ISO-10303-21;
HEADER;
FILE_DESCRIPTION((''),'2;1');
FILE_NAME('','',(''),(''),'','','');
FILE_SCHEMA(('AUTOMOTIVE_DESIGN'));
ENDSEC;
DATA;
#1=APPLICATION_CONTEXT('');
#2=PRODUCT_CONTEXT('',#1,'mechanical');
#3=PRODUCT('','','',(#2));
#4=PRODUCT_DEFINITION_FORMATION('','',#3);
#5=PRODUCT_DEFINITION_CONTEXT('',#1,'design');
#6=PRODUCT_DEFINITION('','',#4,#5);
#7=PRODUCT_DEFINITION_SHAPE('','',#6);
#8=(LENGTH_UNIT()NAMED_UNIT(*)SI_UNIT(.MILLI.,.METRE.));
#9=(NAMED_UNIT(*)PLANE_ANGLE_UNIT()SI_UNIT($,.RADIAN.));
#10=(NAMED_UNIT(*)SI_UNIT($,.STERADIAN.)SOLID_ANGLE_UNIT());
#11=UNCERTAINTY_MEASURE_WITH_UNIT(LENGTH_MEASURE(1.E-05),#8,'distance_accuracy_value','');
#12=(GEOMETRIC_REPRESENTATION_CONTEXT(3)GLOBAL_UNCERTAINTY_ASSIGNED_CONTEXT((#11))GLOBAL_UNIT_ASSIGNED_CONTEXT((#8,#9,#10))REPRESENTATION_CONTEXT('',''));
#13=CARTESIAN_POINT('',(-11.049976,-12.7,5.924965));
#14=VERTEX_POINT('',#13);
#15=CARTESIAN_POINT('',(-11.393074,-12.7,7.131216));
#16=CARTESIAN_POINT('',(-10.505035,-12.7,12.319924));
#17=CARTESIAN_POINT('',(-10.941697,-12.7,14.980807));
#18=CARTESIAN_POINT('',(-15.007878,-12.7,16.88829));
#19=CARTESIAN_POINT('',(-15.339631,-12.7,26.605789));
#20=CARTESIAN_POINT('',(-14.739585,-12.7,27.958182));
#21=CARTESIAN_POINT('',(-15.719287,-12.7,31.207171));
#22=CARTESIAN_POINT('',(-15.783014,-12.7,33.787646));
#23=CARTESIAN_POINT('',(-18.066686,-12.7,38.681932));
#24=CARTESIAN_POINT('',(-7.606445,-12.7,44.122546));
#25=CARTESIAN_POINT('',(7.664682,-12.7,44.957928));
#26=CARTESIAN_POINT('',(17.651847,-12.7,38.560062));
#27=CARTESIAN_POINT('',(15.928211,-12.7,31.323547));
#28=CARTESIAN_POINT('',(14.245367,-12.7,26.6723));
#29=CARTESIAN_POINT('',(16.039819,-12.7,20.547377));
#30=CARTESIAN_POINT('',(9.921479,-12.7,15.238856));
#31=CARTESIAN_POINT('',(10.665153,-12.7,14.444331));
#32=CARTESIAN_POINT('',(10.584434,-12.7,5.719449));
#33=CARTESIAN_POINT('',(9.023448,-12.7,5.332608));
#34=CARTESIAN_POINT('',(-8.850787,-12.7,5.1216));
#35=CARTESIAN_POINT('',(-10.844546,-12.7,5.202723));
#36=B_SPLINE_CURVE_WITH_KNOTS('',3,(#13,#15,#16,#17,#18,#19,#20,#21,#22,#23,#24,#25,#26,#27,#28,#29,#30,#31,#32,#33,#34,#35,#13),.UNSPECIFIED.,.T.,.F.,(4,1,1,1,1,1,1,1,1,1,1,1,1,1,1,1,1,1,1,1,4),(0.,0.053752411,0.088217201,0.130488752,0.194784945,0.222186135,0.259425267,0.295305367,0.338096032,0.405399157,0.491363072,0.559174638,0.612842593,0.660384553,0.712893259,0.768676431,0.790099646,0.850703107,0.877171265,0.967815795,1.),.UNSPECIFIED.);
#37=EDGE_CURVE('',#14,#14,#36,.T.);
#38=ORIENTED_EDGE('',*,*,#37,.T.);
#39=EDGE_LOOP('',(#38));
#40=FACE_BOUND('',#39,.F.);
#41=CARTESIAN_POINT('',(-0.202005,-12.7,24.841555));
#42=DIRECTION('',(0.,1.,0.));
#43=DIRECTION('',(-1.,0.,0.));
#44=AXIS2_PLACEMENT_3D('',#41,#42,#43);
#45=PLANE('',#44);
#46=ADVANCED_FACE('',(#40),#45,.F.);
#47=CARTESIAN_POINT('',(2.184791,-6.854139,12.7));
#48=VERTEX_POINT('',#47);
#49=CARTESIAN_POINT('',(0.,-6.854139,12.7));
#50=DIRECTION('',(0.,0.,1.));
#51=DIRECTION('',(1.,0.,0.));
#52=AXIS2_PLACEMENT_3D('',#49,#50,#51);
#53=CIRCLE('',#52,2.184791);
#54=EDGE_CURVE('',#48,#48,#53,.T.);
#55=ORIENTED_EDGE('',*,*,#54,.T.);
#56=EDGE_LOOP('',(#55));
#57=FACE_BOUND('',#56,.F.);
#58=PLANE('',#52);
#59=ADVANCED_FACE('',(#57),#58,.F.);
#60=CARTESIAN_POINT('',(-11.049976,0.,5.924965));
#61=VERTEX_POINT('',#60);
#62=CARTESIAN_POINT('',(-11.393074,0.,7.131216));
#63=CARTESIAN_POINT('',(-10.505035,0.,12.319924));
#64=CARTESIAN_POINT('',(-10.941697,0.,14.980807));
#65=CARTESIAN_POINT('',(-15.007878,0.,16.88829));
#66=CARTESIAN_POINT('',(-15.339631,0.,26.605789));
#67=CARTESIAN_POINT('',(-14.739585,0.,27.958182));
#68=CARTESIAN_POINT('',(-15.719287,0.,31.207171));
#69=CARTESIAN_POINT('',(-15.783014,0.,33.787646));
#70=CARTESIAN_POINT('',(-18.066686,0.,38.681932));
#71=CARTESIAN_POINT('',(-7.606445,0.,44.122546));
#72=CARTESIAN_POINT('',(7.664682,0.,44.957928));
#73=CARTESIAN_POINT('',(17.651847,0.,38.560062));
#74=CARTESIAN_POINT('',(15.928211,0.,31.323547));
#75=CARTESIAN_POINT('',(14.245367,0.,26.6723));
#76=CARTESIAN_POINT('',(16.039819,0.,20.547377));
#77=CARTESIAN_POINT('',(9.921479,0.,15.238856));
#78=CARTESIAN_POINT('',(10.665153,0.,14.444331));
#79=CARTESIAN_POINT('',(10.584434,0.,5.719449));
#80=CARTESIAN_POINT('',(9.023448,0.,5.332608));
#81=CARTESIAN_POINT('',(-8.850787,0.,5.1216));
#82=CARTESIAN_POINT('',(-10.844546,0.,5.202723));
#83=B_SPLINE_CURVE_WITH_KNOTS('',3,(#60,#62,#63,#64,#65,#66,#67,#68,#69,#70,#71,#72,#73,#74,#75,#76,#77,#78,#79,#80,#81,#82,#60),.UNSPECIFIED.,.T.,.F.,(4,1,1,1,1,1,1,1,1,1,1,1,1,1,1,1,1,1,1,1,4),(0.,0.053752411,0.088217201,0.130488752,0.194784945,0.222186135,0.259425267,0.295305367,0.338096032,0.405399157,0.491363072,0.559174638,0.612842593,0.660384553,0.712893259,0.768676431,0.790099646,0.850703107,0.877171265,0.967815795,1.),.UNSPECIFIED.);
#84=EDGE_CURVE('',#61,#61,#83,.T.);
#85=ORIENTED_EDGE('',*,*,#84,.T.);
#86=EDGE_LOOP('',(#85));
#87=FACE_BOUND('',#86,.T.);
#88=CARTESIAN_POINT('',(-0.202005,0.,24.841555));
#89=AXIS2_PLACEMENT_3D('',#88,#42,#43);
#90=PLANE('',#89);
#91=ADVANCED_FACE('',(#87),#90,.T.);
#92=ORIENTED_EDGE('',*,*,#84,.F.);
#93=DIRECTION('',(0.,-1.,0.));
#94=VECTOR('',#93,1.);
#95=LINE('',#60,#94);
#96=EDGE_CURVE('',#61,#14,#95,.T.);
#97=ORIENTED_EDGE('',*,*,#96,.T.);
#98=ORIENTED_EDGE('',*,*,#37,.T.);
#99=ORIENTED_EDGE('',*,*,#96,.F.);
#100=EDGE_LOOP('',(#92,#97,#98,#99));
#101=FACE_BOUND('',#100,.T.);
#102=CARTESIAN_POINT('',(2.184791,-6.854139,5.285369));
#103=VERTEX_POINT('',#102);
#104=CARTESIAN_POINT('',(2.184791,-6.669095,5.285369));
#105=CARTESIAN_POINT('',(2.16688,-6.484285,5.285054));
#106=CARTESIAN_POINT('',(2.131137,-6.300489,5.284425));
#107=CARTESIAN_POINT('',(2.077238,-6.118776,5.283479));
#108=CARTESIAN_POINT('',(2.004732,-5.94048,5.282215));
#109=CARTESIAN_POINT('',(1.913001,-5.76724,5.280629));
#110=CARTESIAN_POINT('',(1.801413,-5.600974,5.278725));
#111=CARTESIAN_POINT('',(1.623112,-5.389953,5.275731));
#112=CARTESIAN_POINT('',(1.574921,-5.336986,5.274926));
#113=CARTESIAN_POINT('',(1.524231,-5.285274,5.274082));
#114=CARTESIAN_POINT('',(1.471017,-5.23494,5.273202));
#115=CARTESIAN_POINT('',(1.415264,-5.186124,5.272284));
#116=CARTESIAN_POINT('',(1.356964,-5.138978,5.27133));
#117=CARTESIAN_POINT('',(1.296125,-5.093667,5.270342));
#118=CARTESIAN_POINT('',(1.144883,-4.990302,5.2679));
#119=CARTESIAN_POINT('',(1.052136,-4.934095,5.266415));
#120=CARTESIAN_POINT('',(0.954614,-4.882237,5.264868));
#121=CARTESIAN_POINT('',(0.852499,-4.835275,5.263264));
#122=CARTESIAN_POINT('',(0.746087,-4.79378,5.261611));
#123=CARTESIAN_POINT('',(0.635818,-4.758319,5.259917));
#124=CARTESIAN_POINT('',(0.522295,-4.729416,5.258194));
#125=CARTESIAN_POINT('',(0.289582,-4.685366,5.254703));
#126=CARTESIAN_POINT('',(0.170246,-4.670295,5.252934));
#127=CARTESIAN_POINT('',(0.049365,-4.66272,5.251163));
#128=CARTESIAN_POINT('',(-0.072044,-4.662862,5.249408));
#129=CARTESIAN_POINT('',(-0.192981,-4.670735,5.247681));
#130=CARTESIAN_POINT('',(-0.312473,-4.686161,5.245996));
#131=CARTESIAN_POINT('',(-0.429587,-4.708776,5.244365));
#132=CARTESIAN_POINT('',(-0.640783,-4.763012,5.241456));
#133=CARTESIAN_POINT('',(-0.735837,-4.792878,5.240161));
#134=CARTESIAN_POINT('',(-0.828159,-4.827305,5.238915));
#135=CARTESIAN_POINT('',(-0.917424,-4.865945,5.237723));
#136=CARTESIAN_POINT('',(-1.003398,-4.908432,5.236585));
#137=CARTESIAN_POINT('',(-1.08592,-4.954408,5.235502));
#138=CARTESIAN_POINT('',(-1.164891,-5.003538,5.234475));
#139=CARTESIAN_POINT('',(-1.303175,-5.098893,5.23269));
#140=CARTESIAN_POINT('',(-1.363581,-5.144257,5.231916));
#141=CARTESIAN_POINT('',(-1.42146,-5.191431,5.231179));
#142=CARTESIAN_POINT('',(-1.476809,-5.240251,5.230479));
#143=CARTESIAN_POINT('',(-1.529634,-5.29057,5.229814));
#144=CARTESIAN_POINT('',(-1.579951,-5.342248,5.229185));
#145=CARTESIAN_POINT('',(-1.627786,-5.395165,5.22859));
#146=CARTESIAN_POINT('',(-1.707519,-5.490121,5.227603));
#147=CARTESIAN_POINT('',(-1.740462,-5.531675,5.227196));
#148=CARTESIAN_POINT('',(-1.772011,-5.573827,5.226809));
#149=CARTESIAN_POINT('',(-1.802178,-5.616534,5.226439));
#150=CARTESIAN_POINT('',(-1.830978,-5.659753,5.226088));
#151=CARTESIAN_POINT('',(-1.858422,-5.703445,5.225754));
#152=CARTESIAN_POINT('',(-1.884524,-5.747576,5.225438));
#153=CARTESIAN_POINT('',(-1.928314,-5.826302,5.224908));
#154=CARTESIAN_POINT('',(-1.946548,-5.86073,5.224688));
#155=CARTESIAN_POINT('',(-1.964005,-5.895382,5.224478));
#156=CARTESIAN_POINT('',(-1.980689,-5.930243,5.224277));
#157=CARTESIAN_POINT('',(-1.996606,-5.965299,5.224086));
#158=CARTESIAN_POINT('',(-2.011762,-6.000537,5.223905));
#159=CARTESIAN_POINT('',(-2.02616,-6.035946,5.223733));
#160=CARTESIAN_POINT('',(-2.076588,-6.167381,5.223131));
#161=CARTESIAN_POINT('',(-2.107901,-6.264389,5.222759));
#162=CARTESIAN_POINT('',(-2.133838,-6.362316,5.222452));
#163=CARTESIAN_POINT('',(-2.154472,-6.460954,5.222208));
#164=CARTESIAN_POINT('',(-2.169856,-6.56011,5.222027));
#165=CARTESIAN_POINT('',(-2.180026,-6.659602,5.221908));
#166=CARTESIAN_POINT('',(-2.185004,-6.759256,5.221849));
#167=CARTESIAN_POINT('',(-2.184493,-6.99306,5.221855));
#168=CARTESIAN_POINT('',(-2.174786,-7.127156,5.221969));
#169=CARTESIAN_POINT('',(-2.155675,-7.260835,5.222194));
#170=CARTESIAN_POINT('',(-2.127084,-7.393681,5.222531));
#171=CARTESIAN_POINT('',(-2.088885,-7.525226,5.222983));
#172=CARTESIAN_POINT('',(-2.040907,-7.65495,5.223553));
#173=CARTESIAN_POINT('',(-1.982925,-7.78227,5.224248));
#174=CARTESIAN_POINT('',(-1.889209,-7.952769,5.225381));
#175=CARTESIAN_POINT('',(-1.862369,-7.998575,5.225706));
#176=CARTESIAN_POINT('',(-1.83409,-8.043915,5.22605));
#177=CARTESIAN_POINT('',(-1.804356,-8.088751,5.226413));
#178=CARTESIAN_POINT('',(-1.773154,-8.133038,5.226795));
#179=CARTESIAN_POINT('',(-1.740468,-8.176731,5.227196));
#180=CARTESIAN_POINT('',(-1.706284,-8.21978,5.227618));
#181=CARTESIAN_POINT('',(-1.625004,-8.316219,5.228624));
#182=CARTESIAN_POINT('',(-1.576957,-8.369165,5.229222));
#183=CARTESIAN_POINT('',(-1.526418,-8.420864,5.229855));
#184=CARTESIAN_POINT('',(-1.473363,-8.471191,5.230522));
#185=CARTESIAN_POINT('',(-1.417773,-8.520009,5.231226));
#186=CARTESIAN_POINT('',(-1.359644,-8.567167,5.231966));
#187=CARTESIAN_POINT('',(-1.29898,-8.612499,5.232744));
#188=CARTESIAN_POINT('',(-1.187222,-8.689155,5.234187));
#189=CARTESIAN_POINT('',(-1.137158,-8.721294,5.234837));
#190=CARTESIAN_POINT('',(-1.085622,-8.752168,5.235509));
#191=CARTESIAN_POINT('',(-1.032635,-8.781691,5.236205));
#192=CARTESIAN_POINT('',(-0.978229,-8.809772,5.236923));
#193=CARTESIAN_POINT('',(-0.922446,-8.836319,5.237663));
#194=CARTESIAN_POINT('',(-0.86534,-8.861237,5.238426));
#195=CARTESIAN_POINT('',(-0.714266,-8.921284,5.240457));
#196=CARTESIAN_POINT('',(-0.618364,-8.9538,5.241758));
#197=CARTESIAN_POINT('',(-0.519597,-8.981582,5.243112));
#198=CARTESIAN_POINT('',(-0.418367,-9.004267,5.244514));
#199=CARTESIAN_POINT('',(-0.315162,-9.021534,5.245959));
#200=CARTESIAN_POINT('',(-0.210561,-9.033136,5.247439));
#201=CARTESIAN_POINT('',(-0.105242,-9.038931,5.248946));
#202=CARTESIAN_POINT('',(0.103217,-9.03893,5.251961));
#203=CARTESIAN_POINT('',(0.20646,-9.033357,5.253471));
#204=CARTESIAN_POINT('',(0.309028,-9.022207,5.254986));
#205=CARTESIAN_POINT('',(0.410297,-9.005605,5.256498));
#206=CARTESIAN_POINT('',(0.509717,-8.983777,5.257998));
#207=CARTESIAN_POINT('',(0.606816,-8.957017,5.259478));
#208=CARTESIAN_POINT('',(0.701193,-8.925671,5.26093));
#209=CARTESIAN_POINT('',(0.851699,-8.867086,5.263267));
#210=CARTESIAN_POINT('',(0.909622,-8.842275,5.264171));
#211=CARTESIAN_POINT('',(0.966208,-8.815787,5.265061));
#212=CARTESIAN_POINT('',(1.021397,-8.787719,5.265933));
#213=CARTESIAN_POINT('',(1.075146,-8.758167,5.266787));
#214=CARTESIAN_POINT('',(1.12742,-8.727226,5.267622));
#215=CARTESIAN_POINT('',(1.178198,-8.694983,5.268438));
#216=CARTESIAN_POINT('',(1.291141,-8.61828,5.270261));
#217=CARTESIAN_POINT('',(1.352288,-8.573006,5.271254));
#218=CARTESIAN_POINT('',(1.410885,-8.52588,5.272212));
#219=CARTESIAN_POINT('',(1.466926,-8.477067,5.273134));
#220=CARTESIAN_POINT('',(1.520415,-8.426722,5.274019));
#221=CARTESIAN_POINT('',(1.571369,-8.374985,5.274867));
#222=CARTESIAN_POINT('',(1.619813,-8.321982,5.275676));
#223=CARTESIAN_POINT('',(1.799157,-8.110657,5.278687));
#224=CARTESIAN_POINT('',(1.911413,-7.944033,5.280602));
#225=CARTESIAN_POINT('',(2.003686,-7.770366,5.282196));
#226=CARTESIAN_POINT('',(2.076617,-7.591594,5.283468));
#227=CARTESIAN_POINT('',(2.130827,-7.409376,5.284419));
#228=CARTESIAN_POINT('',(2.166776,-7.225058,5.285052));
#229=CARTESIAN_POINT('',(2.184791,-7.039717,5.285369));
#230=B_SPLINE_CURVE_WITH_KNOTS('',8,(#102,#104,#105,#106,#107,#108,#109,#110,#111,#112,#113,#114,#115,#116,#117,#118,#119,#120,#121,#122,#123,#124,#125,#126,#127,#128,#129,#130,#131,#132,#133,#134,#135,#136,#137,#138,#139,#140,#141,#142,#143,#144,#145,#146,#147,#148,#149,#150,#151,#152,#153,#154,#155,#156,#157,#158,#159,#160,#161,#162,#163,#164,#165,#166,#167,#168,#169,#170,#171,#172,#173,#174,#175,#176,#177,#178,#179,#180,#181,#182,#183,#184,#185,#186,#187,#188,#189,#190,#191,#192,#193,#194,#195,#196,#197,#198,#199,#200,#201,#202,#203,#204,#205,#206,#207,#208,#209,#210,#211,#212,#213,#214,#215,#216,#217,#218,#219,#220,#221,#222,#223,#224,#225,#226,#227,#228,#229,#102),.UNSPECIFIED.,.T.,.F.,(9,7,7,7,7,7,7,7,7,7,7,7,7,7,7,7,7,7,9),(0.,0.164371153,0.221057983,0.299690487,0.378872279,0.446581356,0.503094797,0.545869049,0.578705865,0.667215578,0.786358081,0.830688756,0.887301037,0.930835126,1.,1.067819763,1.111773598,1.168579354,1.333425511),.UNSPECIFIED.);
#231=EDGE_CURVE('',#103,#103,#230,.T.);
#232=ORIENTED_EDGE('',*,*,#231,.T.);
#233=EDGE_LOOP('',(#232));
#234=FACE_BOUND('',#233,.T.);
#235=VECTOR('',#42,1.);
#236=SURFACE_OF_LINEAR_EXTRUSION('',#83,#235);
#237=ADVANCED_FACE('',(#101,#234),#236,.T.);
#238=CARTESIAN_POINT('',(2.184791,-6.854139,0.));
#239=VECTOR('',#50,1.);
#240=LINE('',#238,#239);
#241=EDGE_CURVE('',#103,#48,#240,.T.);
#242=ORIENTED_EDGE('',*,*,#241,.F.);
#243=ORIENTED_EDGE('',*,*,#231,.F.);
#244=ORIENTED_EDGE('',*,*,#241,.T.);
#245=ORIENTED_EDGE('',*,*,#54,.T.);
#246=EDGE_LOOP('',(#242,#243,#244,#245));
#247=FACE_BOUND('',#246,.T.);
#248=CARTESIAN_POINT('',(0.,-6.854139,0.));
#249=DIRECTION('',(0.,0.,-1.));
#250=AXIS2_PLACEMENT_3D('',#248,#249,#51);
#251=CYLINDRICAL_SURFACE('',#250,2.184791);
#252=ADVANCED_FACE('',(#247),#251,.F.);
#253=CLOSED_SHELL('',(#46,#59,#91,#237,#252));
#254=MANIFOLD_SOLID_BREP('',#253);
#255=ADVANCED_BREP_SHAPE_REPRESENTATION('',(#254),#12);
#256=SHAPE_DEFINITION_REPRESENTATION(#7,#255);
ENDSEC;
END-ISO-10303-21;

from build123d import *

# Parameters (mm, degrees)
F1_DEPTH = 12.7
F2_R     = 2.1847912261
F3_DEPTH = 12.7


with BuildPart() as f1:
    # F0 (on Front) → F1 (new body)
    with BuildSketch(Plane.XZ):
        with BuildLine():
            add(Edge.make_bspline(
                [(-11.0499756411, 5.924965255), (-11.3930739649, 7.1312164942), (-10.5050352103, 12.3199235508), (-10.9416972059, 14.9808069982), (-15.0078775285, 16.8882895579), (-15.3396309432, 26.605789021), (-14.7395852902, 27.9581816357), (-15.7192872491, 31.2071706738), (-15.7830138107, 33.7876456989), (-18.0666863947, 38.6819316126), (-7.6064451531, 44.1225462964), (7.6646818358, 44.9579282957), (17.6518472588, 38.560062111), (15.9282109613, 31.3235468841), (14.2453667664, 26.6723004363), (16.0398188331, 20.5473771609), (9.9214792288, 15.2388560037), (10.6651526704, 14.4443311945), (10.5844344755, 5.7194485711), (9.0234483112, 5.3326076914), (-8.8507866079, 5.1215995103), (-10.8445458435, 5.2027234639), (-11.0499756411, 5.924965255)],
                knots=[0, 0, 0, 0, 0.0537524105, 0.0882172011, 0.1304887524, 0.194784945, 0.222186135, 0.2594252667, 0.2953053671, 0.3380960318, 0.4053991566, 0.4913630719, 0.559174638, 0.6128425932, 0.6603845534, 0.7128932593, 0.7686764308, 0.7900996464, 0.8507031073, 0.8771712649, 0.967815795, 1, 1, 1, 1], degree=3))
        make_face()
    extrude(amount=F1_DEPTH)

    # F2 (on Top) → F3 (cut)
    with BuildSketch(Plane.XY):
        with Locations((0, -6.8541388027)):
            Circle(F2_R)
    extrude(amount=F3_DEPTH, mode=Mode.SUBTRACT)


solid = f1.part
